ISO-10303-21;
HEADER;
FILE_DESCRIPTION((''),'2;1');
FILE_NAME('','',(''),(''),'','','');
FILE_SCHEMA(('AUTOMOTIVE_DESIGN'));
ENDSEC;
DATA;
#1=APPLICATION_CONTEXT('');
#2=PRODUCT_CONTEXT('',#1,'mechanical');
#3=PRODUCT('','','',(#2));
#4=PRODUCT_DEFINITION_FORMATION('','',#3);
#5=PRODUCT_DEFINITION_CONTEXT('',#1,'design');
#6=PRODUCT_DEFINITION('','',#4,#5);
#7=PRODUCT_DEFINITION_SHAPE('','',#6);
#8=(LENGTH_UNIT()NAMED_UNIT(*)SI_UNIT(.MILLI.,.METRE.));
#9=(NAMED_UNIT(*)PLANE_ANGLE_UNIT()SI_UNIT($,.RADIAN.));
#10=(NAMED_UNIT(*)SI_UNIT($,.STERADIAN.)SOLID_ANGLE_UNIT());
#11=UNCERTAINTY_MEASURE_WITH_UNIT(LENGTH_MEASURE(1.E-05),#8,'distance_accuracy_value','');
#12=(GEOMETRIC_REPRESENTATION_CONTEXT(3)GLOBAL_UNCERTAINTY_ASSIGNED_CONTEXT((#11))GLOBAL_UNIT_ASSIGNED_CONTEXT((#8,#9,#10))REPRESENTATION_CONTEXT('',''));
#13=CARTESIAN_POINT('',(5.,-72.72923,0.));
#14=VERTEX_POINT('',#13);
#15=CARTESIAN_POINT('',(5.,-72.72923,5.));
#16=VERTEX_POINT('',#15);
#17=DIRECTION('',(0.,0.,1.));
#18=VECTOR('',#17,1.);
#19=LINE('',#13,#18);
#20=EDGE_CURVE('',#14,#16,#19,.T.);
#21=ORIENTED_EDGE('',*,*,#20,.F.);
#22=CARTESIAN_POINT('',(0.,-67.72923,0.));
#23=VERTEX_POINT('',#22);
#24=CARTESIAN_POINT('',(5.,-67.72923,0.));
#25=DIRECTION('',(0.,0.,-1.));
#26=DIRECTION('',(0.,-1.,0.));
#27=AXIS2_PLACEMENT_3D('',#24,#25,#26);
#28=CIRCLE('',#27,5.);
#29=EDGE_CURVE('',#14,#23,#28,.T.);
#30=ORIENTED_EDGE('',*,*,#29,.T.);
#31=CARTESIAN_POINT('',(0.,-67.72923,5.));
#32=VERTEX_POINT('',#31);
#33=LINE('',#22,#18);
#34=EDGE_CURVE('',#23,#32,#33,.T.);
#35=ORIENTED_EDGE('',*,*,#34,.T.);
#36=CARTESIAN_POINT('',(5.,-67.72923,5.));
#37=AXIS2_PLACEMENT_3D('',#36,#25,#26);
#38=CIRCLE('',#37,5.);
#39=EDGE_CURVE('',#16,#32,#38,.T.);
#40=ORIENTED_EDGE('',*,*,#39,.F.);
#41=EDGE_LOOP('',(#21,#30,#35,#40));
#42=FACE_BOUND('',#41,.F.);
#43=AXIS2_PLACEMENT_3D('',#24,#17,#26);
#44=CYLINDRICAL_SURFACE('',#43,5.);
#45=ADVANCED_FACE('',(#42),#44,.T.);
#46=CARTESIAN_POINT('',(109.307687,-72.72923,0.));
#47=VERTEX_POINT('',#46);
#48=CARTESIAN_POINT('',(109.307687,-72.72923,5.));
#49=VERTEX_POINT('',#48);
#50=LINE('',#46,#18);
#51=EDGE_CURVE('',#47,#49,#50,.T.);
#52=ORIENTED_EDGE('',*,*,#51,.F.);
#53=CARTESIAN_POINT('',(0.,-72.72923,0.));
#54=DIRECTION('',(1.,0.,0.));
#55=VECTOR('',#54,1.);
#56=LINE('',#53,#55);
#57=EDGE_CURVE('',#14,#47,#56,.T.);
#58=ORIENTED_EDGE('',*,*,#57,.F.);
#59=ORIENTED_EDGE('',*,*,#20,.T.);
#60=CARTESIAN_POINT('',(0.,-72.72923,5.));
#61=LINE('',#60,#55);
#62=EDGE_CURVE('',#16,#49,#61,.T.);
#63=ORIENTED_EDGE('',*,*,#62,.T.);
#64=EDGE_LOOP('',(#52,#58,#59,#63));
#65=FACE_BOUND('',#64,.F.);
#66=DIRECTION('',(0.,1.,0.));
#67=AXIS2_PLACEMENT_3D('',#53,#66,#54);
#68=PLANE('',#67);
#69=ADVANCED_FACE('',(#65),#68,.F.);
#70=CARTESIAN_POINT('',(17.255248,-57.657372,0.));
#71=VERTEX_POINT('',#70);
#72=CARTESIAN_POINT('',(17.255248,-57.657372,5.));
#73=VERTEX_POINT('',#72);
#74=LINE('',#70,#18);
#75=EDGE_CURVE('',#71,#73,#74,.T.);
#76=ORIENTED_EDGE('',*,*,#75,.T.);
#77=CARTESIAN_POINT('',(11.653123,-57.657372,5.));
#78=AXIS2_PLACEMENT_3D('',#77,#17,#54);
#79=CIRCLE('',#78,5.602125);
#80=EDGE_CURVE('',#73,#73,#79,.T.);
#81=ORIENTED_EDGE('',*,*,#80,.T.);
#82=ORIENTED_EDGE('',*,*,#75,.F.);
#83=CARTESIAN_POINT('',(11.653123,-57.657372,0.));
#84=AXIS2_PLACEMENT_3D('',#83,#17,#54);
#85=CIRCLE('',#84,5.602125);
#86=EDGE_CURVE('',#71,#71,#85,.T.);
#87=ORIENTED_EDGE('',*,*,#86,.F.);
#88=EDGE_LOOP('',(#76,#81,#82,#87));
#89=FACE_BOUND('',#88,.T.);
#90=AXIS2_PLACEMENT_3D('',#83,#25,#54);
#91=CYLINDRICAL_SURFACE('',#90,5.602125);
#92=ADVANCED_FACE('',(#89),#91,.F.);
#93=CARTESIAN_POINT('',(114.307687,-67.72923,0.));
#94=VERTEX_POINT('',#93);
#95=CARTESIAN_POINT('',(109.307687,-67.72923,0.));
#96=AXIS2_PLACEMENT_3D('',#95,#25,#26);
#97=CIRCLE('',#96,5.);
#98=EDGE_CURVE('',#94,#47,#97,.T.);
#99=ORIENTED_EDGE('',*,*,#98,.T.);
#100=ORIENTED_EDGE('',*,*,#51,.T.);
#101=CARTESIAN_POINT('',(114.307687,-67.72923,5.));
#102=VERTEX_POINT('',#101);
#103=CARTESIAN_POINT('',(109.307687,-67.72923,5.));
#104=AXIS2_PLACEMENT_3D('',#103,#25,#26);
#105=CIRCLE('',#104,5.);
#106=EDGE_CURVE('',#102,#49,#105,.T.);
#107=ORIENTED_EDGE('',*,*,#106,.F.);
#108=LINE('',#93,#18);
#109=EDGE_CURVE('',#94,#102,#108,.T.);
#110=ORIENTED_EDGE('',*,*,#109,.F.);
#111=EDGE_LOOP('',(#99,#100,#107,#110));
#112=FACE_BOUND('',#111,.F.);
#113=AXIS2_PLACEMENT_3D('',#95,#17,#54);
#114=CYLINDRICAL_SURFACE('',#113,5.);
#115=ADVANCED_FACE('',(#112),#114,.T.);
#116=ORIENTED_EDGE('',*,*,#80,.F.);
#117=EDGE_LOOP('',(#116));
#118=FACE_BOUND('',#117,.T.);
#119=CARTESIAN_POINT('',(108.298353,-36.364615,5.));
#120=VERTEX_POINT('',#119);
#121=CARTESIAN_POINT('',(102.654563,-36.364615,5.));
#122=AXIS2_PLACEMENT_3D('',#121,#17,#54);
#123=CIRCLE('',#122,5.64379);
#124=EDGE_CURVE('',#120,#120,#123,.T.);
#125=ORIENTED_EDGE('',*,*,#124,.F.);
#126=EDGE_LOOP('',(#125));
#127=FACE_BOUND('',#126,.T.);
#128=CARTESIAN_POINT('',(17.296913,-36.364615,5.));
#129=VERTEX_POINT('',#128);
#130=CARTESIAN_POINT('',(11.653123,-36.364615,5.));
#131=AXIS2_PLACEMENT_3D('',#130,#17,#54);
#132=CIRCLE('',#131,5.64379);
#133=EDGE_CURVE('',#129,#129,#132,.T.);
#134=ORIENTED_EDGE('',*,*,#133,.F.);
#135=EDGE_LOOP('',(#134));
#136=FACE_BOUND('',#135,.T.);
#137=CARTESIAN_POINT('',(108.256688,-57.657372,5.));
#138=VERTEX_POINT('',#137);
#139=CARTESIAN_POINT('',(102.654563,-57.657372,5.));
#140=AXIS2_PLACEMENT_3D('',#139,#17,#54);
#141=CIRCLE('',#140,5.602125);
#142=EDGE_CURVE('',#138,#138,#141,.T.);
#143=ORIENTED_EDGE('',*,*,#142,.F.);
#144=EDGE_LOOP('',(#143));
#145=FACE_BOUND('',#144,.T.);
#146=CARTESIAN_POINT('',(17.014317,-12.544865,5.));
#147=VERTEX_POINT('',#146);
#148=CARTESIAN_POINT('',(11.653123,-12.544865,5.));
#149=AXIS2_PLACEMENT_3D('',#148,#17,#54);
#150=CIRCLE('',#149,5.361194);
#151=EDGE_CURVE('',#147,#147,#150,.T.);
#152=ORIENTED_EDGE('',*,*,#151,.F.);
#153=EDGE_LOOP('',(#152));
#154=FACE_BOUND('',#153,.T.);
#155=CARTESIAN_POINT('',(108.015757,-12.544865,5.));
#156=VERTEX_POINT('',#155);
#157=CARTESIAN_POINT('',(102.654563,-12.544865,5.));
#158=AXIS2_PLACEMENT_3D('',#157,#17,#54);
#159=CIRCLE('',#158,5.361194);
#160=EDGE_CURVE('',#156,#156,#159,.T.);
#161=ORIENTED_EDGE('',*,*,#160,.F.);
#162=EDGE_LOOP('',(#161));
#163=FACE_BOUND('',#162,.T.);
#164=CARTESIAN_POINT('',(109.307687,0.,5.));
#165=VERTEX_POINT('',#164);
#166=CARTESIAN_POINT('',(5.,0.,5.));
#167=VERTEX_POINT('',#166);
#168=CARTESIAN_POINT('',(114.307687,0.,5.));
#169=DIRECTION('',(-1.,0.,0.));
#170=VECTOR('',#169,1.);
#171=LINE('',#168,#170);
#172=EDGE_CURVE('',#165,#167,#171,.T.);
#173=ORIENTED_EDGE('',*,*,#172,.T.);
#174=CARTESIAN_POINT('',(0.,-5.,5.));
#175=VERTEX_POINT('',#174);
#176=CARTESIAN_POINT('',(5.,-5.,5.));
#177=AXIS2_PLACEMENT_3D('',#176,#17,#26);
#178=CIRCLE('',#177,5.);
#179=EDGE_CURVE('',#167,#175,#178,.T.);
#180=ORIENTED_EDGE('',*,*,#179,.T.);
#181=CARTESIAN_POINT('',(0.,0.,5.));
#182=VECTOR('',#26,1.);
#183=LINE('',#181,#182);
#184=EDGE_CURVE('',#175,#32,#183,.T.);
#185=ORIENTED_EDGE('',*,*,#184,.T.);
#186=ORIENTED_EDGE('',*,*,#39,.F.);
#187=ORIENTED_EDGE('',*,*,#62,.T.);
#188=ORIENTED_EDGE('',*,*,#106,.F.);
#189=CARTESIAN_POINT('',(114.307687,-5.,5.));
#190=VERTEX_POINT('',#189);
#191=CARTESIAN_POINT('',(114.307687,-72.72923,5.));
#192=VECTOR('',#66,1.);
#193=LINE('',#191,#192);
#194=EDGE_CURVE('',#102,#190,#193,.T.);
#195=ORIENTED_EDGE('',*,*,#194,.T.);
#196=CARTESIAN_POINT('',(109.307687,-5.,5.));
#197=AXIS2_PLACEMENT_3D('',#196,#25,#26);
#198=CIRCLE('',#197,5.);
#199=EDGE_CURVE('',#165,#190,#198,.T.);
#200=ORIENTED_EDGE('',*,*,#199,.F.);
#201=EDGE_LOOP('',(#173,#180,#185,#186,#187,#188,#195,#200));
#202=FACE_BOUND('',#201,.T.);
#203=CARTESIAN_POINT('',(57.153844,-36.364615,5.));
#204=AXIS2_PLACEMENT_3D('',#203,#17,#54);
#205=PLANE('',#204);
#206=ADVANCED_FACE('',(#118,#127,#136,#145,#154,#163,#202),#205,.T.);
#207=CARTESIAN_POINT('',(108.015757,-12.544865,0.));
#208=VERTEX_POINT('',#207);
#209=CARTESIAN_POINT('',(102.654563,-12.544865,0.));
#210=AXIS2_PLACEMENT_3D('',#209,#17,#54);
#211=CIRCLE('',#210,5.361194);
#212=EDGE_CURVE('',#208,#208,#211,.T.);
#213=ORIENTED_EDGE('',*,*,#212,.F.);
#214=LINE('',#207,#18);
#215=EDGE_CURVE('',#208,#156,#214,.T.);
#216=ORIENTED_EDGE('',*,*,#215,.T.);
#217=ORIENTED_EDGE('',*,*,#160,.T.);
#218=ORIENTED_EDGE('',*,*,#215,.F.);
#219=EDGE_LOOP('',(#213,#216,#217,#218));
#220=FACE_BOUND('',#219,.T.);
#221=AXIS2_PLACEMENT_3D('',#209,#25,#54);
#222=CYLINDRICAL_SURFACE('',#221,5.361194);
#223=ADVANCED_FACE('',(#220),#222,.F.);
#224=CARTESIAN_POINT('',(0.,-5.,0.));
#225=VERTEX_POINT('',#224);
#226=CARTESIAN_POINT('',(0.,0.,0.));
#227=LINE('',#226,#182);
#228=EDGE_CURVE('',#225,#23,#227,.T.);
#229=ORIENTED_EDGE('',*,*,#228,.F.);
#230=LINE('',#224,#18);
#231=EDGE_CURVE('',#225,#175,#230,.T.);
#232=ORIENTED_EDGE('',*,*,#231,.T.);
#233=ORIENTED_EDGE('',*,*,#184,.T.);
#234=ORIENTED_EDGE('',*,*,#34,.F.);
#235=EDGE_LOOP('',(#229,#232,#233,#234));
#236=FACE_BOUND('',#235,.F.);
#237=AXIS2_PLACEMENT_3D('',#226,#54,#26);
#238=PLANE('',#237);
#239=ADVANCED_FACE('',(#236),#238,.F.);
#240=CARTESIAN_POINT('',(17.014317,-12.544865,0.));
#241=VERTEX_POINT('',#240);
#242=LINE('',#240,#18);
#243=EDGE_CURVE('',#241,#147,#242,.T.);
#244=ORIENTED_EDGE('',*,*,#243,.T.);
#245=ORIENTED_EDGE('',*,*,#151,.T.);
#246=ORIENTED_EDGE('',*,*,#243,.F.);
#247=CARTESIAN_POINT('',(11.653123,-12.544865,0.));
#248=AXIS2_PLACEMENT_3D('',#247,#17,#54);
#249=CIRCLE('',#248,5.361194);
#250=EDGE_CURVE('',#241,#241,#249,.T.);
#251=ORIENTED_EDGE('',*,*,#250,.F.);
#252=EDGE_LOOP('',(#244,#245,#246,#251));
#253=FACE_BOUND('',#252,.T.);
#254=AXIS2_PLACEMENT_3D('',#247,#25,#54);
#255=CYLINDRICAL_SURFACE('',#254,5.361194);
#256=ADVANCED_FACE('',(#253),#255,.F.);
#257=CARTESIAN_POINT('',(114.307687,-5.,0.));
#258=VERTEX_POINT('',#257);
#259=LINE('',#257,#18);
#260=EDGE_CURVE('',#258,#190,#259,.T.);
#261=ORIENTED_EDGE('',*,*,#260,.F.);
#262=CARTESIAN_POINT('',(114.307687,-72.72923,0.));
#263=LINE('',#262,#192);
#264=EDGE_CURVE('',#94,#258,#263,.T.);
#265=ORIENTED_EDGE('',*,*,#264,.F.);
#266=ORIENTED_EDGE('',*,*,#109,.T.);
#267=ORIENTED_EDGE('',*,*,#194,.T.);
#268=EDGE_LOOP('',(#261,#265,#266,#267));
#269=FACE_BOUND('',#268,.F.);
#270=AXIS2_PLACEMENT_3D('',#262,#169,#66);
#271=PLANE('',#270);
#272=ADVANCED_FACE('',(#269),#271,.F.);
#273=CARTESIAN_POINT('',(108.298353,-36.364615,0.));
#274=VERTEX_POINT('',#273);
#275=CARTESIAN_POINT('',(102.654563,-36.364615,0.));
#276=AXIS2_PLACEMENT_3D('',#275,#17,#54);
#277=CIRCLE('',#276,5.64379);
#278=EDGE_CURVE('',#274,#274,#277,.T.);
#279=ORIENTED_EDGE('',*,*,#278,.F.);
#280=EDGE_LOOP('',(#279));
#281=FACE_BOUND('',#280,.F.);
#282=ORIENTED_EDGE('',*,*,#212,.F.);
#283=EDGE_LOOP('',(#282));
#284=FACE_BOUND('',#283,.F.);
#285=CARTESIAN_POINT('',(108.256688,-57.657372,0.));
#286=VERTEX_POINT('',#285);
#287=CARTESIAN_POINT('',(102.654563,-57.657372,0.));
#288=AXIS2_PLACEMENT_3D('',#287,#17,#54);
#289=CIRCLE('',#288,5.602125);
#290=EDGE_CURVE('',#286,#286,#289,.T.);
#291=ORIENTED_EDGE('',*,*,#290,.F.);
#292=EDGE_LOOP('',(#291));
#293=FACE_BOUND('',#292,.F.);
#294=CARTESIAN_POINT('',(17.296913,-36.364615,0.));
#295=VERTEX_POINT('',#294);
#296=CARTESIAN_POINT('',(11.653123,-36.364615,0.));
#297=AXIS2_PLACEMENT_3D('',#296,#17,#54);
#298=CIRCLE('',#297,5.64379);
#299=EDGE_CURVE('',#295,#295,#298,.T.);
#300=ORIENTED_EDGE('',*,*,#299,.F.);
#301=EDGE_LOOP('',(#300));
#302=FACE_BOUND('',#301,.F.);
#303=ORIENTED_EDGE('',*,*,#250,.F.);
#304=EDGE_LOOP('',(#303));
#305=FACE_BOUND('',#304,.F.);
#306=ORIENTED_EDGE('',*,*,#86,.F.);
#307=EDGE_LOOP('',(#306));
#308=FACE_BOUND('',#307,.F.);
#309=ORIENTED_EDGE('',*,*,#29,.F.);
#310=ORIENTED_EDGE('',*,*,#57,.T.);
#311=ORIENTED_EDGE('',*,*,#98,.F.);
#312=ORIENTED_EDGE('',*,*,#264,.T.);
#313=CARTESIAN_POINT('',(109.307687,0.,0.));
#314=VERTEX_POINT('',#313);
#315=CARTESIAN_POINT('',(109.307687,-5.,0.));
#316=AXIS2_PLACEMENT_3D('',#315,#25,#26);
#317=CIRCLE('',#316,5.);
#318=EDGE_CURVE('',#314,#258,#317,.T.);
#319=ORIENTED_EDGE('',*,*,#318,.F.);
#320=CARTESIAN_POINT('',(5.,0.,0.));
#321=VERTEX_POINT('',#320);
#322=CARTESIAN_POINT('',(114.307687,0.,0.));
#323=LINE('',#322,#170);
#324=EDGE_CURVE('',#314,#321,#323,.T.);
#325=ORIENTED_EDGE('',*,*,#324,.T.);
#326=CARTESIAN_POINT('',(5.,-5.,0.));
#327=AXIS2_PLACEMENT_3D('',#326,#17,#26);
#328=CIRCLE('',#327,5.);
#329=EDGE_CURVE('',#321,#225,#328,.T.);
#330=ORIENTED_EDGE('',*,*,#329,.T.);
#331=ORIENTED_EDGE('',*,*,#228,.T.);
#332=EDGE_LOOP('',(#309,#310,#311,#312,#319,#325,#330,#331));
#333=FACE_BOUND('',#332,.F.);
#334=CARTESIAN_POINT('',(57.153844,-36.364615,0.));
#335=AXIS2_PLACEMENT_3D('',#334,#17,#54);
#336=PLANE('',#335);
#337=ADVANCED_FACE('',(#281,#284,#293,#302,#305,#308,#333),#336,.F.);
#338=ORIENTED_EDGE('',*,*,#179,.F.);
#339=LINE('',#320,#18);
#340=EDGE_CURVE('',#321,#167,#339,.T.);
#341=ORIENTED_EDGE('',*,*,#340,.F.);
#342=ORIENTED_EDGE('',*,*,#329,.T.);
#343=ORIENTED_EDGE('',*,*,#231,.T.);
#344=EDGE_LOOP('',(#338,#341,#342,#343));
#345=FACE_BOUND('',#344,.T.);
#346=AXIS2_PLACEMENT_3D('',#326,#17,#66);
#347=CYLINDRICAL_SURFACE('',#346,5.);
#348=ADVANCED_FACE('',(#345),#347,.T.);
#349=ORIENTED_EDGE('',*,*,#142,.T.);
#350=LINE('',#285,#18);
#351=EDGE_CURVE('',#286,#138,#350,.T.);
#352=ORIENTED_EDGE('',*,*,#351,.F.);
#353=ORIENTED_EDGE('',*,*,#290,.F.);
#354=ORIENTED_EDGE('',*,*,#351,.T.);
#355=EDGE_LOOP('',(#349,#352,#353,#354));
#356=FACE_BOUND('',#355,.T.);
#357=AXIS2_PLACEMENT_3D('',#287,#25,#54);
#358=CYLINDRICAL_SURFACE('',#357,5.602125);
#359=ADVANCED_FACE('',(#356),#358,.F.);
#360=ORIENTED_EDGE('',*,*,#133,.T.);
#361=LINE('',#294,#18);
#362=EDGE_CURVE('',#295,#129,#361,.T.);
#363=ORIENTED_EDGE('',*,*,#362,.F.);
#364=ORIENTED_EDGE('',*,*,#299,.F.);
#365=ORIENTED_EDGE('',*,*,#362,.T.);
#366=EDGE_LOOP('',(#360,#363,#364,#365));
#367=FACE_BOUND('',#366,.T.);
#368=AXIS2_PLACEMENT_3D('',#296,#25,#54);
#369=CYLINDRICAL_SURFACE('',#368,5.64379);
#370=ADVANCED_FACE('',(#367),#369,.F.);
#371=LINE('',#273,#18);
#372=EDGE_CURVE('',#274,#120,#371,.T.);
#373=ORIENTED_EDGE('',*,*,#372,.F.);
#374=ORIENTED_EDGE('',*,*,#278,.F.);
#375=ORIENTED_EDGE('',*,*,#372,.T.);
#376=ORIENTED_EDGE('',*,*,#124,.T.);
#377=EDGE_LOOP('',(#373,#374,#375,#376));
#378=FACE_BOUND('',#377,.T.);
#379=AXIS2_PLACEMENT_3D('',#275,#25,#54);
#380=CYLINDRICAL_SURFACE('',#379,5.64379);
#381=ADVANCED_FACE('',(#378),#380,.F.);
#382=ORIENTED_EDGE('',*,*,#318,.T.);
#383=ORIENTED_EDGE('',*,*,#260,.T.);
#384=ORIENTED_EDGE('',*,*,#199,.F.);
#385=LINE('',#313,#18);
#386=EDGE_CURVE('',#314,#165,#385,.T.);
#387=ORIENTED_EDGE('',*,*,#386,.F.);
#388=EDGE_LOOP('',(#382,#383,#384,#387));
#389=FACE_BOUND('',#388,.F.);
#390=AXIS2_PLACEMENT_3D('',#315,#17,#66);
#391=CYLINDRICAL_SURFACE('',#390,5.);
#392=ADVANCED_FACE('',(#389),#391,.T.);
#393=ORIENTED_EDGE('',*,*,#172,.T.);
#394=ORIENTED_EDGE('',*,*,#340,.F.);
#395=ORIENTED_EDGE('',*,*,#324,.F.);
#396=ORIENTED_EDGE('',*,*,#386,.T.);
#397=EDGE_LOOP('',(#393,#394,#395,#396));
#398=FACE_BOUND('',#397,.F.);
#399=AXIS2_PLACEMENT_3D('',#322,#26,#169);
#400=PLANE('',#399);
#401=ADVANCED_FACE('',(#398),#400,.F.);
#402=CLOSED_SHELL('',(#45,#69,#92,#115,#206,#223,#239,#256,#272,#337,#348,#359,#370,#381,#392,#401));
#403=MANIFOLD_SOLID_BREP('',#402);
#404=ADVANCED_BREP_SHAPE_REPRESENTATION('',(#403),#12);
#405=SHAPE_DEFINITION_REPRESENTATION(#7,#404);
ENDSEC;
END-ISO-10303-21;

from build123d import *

# Parameters (mm, degrees)
F0_R     = 5.602125
F0_R_2   = 5.64379
F0_R_3   = 5.361194
F1_DEPTH = 5
F2_R     = 5
F3_R     = 5
F4_R     = 5
F5_R     = 5


with BuildPart() as f1:
    # F0 (on Top) → F1 (new body)
    with BuildSketch(Plane.XY):
        Polygon((57.153843, 0), (0, 0), (0, -72.72923), (114.307687, -72.72923), (114.307687, 0), align=None)
        with Locations((11.653123, -57.657372)):
            Circle(F0_R, mode=Mode.SUBTRACT)
        with Locations((102.654563, -57.657372)):
            Circle(F0_R, mode=Mode.SUBTRACT)
        with Locations((11.653123, -36.364615)):
            Circle(F0_R_2, mode=Mode.SUBTRACT)
        with Locations((11.653123, -12.544865)):
            Circle(F0_R_3, mode=Mode.SUBTRACT)
        with Locations((102.654563, -36.364615)):
            Circle(F0_R_2, mode=Mode.SUBTRACT)
        with Locations((102.654563, -12.544865)):
            Circle(F0_R_3, mode=Mode.SUBTRACT)
    extrude(amount=F1_DEPTH)

    # F2
    f2_edges = [f1.edges().sort_by_distance(p)[0] for p in [
        (114.307687, 0, 2.5),
    ]]
    fillet(f2_edges, radius=F2_R)

    # F3
    f3_edges = [f1.edges().sort_by_distance(p)[0] for p in [
        (0, 0, 2.5),
    ]]
    fillet(f3_edges, radius=F3_R)

    # F4
    f4_edges = [f1.edges().sort_by_distance(p)[0] for p in [
        (114.307687, -72.72923, 2.5),
    ]]
    fillet(f4_edges, radius=F4_R)

    # F5
    f5_edges = [f1.edges().sort_by_distance(p)[0] for p in [
        (0, -72.72923, 2.5),
    ]]
    fillet(f5_edges, radius=F5_R)


solid = f1.part
